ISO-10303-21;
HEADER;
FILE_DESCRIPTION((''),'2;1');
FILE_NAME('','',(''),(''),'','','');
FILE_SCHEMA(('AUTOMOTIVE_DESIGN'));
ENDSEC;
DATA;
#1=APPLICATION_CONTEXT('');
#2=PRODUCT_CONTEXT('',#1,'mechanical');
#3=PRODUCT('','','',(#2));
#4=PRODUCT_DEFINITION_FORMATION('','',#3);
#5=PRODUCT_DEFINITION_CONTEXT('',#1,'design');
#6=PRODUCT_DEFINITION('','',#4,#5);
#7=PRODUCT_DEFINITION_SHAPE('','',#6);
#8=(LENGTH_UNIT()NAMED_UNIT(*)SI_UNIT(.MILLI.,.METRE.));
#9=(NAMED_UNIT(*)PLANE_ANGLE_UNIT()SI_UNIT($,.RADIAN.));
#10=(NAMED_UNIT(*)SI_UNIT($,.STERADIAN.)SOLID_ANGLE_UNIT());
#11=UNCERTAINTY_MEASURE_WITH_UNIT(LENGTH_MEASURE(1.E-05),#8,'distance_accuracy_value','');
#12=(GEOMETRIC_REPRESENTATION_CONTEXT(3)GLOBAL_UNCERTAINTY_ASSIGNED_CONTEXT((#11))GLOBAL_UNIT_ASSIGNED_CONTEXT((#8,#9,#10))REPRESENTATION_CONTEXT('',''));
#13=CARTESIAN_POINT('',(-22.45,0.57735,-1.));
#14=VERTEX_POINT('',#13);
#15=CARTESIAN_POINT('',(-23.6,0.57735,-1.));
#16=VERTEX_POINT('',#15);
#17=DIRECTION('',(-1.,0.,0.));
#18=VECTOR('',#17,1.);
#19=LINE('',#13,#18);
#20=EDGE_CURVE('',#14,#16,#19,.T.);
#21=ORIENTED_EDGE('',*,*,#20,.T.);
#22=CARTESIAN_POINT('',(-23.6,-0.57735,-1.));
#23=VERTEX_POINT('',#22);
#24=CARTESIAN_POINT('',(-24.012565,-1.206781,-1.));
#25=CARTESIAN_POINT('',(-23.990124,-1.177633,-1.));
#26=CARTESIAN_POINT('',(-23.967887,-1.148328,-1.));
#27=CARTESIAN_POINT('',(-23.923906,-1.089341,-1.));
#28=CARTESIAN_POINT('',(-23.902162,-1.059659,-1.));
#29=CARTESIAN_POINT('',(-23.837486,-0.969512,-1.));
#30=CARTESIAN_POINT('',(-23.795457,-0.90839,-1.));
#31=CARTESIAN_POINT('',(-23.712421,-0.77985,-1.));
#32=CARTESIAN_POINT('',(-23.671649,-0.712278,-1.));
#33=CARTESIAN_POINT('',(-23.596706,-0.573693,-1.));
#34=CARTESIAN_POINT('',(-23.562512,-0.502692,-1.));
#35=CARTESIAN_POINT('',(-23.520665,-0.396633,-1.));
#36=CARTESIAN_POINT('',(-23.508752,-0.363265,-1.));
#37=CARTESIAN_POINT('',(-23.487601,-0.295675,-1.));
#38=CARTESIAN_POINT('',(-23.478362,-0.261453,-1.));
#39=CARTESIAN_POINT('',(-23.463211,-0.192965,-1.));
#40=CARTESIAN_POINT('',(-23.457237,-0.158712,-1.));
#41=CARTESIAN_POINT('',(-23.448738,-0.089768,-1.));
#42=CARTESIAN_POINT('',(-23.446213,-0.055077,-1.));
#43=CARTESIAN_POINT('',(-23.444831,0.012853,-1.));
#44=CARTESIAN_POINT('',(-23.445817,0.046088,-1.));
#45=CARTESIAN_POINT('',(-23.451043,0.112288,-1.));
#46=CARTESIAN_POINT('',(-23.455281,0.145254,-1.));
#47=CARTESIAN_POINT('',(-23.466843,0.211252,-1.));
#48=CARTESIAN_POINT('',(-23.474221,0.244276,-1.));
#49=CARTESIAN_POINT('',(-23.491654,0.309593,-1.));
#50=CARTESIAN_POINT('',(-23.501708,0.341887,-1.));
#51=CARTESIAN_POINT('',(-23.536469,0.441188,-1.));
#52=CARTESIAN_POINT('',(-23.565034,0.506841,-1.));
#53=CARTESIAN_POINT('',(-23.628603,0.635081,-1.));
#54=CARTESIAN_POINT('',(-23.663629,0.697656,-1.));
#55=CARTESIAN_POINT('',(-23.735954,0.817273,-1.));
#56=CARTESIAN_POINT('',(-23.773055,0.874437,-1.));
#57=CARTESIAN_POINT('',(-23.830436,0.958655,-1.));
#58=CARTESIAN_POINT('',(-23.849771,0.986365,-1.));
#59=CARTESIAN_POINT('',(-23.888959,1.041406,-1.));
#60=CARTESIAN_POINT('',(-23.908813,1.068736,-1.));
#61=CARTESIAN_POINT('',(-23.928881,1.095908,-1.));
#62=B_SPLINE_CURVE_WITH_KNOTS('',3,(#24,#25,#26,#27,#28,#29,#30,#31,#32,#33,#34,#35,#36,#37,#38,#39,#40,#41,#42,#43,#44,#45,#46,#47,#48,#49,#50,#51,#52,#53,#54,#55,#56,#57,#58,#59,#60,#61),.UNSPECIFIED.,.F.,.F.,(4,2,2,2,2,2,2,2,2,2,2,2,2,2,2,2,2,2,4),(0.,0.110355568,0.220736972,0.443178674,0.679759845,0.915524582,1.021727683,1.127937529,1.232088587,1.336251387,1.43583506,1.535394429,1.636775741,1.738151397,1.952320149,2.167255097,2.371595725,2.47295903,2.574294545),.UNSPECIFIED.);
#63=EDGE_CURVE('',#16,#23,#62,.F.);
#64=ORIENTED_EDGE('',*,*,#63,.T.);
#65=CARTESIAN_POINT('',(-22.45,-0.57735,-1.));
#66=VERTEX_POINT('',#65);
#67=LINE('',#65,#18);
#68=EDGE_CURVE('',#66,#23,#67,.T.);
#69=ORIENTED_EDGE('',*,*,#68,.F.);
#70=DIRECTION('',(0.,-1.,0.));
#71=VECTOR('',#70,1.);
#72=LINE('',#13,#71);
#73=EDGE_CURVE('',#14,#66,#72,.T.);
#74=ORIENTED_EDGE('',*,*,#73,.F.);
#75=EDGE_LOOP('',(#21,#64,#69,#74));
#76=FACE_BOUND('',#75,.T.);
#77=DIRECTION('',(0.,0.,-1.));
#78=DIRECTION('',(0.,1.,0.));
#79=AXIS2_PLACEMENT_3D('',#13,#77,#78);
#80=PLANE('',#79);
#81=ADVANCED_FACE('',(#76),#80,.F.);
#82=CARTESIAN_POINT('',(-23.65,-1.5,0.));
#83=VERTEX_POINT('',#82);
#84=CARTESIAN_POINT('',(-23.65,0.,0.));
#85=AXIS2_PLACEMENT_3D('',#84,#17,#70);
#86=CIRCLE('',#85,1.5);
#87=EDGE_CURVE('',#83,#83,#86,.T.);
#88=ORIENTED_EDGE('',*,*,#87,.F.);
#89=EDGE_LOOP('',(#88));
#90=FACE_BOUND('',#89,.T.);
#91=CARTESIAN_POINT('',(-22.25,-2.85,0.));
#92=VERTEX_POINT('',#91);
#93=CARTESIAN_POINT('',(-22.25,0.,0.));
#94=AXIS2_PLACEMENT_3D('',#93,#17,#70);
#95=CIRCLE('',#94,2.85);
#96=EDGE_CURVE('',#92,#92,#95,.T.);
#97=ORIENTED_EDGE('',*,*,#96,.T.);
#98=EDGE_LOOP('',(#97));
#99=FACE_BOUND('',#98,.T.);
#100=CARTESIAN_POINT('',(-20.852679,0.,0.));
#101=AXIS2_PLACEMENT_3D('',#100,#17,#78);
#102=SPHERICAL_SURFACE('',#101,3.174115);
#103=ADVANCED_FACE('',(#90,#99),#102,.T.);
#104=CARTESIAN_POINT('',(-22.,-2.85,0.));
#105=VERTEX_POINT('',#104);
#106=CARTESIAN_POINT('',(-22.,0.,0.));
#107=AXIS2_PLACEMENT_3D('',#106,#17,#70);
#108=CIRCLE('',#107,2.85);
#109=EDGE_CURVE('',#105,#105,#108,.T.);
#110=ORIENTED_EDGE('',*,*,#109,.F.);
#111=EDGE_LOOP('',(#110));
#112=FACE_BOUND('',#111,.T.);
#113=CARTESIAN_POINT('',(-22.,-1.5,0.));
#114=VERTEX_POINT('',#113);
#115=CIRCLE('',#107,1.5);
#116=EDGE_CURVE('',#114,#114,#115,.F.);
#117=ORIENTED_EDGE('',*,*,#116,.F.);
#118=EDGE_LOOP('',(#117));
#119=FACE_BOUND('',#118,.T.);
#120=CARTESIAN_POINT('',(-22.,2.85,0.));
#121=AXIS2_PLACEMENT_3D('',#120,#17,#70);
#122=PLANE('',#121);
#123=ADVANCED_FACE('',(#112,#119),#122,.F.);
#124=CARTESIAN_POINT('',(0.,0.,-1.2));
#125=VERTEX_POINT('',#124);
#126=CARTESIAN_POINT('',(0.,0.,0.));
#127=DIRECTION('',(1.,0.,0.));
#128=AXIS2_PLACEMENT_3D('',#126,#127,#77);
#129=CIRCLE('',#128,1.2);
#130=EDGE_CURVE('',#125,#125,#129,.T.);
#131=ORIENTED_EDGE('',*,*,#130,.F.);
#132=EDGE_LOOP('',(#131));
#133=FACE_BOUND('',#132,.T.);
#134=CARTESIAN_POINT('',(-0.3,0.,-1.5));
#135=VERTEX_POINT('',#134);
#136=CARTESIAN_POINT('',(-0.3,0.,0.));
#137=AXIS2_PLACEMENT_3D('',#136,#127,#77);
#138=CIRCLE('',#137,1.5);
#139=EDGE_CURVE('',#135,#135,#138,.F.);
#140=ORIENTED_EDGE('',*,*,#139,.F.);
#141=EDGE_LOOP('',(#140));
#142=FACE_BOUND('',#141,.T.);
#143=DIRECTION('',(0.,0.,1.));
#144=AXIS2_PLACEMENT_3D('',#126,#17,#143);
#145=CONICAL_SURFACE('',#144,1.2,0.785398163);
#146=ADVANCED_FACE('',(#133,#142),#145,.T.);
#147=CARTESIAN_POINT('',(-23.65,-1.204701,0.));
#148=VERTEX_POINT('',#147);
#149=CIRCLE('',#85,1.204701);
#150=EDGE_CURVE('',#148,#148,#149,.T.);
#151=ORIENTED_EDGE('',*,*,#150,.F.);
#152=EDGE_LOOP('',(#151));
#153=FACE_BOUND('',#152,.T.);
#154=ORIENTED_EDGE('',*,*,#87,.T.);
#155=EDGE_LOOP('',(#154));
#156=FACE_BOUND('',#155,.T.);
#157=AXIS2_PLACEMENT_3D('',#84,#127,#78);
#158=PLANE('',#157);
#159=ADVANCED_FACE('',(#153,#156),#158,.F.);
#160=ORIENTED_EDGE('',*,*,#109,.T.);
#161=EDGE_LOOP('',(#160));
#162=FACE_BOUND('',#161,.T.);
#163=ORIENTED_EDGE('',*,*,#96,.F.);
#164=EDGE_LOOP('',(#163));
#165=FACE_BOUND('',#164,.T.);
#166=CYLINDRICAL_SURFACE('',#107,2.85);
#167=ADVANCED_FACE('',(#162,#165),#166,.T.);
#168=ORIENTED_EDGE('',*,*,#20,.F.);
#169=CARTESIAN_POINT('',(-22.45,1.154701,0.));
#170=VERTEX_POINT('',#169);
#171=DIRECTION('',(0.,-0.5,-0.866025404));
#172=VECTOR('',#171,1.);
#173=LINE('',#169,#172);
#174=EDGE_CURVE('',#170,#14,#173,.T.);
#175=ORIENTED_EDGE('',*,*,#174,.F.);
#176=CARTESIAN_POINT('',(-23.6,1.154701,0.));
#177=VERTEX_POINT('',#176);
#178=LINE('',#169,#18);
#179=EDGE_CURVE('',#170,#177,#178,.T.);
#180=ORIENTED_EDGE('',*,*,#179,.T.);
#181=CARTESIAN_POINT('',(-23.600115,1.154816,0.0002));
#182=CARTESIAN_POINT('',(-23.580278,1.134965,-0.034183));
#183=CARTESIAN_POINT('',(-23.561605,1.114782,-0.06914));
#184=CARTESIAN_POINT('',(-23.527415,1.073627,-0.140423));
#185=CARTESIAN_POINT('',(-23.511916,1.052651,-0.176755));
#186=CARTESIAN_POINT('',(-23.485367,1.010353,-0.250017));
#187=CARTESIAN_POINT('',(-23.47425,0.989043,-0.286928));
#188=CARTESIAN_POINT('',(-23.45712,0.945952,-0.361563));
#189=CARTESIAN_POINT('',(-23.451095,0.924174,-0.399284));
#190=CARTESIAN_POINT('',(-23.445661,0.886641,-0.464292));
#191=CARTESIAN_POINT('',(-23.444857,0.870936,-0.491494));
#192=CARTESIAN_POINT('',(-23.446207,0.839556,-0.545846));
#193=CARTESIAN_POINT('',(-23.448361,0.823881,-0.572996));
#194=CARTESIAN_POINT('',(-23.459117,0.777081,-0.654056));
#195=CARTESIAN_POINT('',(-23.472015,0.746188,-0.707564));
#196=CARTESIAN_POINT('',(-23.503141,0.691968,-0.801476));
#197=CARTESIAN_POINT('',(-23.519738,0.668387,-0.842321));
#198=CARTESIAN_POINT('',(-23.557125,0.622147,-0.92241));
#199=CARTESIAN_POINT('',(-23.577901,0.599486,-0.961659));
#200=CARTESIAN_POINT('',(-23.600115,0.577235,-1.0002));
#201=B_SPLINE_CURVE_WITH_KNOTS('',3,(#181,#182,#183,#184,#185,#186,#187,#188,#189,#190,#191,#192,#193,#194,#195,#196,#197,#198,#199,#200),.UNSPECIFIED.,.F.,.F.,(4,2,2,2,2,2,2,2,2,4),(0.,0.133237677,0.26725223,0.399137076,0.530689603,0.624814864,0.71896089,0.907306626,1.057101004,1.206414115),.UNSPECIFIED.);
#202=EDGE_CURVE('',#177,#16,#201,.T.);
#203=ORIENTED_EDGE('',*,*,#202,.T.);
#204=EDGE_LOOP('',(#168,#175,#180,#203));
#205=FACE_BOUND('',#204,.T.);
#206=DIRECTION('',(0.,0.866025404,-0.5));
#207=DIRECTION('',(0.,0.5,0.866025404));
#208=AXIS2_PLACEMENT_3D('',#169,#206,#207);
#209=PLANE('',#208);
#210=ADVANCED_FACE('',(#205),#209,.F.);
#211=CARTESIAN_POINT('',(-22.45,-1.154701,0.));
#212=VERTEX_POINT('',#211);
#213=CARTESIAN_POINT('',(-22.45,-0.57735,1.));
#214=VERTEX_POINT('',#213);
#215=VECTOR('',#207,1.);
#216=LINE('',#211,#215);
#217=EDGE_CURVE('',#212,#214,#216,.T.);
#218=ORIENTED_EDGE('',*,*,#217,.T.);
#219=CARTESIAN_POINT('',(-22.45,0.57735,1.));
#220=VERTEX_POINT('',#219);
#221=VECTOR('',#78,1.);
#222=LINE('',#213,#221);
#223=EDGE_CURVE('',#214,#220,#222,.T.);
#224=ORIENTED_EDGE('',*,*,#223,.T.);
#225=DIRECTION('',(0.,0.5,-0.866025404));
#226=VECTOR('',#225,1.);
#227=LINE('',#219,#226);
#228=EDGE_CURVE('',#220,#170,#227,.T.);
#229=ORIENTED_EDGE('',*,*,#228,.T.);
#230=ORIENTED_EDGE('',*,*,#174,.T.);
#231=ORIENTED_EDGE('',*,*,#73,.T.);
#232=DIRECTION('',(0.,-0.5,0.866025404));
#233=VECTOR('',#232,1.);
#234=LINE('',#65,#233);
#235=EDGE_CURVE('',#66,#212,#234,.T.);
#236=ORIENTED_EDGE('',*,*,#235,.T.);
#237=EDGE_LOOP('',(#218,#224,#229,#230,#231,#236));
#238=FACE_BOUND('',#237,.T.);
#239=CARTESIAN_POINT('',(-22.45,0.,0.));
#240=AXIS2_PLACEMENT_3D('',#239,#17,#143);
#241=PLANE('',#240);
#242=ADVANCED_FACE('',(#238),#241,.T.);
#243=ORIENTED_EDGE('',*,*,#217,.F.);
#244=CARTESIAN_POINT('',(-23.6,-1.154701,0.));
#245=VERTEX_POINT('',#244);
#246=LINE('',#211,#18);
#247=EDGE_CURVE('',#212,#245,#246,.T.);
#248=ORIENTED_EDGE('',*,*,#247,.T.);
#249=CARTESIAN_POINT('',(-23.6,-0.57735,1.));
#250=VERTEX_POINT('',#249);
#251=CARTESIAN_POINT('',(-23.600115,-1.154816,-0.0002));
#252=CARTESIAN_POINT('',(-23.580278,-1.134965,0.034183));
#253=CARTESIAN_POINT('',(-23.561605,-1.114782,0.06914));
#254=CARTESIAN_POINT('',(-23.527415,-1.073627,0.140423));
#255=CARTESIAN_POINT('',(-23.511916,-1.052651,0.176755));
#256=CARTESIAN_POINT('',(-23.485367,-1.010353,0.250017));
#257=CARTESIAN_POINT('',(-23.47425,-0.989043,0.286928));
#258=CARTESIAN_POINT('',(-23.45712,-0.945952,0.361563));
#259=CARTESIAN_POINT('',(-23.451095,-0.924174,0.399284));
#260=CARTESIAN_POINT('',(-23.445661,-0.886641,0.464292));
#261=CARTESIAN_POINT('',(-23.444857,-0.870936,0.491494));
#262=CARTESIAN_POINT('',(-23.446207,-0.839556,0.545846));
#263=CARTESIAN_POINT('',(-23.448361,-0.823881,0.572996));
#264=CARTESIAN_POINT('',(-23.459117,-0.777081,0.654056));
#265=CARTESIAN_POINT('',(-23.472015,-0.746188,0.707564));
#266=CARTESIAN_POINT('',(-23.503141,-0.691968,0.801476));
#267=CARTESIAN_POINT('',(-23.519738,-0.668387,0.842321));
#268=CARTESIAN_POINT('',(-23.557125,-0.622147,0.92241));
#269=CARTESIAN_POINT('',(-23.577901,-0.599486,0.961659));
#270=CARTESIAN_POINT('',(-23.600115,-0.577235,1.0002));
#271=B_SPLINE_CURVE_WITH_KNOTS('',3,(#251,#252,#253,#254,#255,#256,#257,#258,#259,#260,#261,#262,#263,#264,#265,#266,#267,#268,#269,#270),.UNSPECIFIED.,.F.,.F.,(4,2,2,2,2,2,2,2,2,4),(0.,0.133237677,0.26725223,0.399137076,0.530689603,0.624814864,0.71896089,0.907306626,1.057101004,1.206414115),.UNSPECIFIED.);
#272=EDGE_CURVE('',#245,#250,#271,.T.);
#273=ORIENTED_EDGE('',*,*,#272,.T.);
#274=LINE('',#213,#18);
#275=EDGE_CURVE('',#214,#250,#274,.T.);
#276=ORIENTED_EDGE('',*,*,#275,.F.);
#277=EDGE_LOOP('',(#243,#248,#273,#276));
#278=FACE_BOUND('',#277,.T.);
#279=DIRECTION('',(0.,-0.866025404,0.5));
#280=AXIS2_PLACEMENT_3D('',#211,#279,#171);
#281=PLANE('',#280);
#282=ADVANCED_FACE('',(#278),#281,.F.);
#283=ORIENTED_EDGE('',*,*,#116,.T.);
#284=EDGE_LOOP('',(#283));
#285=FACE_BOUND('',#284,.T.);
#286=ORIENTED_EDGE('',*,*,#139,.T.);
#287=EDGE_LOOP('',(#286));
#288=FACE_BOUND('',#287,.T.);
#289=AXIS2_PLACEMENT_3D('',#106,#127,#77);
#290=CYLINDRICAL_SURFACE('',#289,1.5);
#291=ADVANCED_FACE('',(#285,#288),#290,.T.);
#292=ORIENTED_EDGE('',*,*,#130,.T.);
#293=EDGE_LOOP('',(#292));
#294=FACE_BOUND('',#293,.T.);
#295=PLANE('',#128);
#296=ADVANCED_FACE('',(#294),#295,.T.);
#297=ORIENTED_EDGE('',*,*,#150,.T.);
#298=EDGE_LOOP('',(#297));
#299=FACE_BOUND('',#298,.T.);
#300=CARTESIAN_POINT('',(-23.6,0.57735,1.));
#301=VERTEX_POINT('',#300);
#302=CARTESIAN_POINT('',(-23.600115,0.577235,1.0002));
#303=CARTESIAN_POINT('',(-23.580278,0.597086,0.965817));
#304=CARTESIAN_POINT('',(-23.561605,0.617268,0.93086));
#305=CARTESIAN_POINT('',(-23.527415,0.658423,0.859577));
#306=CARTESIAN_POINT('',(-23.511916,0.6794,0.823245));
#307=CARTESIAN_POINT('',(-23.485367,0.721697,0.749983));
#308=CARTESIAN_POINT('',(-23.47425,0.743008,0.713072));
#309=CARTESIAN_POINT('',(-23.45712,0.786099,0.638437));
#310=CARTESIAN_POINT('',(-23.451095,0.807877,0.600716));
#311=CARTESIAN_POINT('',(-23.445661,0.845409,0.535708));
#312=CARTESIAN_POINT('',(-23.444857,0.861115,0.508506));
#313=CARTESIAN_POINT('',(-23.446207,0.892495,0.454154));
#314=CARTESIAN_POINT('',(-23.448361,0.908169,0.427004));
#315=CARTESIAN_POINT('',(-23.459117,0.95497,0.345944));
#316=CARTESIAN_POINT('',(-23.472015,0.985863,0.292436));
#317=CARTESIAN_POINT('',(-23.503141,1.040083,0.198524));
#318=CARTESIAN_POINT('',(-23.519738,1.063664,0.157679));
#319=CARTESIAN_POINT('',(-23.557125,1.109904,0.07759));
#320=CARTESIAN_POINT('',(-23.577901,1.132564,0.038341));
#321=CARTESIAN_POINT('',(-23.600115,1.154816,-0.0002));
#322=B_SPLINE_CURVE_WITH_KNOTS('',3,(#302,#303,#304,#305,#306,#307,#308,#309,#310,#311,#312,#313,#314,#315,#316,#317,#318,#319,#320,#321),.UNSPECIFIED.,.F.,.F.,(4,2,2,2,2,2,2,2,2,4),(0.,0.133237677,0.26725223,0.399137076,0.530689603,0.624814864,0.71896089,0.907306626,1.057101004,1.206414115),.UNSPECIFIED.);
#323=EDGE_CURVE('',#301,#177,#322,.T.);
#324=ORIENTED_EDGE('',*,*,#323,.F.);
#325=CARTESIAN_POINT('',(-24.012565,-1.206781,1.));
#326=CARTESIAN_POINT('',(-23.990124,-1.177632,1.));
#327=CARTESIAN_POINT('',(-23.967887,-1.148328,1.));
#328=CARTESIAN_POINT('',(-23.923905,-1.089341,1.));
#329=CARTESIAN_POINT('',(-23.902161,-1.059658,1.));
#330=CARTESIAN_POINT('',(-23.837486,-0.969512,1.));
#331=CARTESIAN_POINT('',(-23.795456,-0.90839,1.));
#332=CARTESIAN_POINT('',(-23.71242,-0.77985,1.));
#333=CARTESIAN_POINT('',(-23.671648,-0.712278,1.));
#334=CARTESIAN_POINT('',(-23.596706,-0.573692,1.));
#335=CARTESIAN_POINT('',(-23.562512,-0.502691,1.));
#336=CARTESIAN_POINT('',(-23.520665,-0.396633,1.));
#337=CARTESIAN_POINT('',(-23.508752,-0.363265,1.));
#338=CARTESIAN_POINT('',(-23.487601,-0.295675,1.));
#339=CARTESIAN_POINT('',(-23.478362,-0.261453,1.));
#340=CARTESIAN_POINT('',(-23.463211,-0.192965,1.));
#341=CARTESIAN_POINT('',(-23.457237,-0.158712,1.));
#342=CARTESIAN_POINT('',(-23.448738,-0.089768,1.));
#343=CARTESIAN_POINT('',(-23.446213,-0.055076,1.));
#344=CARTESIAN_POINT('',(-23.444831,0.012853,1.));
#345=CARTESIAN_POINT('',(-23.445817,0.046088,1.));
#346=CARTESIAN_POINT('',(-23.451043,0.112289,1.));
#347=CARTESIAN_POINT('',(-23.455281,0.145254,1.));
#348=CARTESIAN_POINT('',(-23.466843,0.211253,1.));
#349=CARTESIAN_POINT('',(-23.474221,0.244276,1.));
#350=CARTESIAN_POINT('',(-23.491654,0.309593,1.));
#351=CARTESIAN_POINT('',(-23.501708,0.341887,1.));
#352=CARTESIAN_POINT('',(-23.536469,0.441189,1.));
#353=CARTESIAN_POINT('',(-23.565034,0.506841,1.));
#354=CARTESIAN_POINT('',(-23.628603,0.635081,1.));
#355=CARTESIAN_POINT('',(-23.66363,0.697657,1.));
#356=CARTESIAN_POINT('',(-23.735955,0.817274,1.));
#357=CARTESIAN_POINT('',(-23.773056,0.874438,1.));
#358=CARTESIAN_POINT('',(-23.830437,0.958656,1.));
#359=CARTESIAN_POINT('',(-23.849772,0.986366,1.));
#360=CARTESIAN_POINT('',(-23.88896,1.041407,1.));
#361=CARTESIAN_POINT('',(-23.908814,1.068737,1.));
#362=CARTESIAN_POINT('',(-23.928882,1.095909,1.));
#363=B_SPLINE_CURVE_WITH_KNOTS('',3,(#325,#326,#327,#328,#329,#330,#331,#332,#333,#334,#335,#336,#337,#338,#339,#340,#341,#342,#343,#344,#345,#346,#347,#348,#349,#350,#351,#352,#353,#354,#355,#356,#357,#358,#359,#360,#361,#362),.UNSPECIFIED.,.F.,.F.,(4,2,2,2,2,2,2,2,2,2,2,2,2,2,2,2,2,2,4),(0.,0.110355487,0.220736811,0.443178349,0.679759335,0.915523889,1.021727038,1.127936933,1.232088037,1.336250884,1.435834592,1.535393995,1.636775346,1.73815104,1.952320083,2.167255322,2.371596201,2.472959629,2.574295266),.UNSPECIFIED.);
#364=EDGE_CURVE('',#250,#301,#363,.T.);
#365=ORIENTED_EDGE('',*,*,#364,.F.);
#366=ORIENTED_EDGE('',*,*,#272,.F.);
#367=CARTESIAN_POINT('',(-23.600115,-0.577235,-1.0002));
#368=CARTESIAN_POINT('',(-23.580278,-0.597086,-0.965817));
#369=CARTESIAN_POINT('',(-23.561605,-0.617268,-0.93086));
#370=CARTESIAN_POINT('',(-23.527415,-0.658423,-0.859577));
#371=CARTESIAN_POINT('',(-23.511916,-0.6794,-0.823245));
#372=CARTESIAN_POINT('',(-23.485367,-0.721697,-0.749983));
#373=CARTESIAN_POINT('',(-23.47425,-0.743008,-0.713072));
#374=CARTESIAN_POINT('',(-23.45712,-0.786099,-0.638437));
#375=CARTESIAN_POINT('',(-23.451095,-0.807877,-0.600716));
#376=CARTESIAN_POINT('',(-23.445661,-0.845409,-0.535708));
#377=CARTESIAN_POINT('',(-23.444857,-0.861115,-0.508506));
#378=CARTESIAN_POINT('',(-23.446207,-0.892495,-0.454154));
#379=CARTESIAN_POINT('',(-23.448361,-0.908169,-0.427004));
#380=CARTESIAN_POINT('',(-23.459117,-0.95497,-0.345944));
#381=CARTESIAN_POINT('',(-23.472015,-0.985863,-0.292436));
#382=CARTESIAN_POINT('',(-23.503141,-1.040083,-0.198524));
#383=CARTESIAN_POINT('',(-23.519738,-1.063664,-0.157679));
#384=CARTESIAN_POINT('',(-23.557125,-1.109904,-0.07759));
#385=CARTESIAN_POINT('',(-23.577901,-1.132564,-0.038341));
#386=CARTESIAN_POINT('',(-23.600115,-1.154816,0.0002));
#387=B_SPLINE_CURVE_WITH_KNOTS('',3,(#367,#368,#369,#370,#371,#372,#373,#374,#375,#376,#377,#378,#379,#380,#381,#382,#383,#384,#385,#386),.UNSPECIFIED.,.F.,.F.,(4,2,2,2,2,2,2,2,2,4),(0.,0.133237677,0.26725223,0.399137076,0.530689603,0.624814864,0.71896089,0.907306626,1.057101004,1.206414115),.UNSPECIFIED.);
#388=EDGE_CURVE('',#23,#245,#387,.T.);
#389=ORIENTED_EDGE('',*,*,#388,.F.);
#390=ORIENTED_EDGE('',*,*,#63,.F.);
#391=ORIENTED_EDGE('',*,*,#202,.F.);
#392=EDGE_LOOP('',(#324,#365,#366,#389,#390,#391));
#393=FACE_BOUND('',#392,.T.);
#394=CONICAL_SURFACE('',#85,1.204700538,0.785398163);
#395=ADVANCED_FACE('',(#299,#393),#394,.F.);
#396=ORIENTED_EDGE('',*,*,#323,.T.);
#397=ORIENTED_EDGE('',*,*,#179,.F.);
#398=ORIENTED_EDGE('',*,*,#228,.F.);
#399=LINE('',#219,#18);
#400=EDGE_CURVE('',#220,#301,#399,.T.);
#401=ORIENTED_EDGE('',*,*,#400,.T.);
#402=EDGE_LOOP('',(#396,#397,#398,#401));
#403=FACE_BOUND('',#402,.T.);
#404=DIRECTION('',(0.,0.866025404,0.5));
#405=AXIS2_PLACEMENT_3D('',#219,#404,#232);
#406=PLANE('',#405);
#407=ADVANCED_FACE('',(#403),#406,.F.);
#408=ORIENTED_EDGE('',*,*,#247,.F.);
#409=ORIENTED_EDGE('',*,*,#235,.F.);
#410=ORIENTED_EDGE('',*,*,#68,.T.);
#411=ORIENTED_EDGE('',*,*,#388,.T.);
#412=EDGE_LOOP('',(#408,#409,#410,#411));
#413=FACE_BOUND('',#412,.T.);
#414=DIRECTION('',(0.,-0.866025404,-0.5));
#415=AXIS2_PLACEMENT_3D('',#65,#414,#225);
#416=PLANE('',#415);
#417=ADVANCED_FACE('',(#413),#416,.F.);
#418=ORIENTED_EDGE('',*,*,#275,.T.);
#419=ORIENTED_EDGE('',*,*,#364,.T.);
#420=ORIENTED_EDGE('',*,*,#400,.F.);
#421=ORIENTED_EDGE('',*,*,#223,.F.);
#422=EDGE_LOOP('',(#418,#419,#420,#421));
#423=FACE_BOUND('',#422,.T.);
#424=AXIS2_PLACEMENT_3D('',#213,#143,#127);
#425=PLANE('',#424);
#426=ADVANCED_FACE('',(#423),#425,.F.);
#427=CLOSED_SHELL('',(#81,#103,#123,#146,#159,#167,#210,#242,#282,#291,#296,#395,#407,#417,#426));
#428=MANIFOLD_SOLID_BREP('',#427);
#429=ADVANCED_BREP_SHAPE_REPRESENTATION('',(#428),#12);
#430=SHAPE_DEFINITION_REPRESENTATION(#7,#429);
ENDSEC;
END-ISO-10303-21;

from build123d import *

# Parameters (mm, degrees)
SKETCH2_R           = 1.5
BOSS_EXTRUDE1_DEPTH = 22
CHAMFER1_SIZE       = 0.3
CUT_EXTRUDE1_DEPTH  = 1.2
SKETCH8_R           = 1.204700538
CUT_EXTRUDE2_DEPTH  = 1
CUT_EXTRUDE2_TAPER  = 45


with BuildPart() as part:
    # Sketch2 → Boss-Extrude1 (new body)
    with BuildSketch(Plane(origin=(0, 0, 0), x_dir=(0, 0, -1), z_dir=(1, 0, 0))):
        Circle(SKETCH2_R)
    extrude(amount=-BOSS_EXTRUDE1_DEPTH)

    # Chamfer1
    chamfer1_edges = [part.edges().sort_by_distance(p)[0] for p in [
        (0, 0, 1.5),
    ]]
    chamfer(chamfer1_edges, length=CHAMFER1_SIZE)

    # Sketch6 → Revolve1 (revolve)
    with BuildSketch(Plane.XY):
        with BuildLine():
            Line((-23.65, 0), (-23.65, 1.5))
            ThreePointArc((-23.65, 1.5), (-23.055944823, 2.284868705), (-22.25, 2.85))
            Line((-22.25, 2.85), (-22, 2.85))
            Line((-22, 2.85), (-22, 0))
            Line((-22, 0), (-23.65, 0))
        make_face()
    revolve(axis=Axis((-22, 0, 0), (1, 0, 0)))

    # Sketch7 → Cut-Extrude1 (cut)
    with BuildSketch(Plane.ZY.offset(23.65)):
        Polygon((0, 1.154700538), (-1, 0.577350269), (-1, -0.577350269), (0, -1.154700538), (1, -0.577350269), (1, 0.577350269), align=None)
    extrude(amount=-CUT_EXTRUDE1_DEPTH, mode=Mode.SUBTRACT)

    # Sketch8 → Cut-Extrude2 (cut)
    with BuildSketch(Plane.ZY.offset(23.65)):
        Circle(SKETCH8_R)
    extrude(amount=-CUT_EXTRUDE2_DEPTH, taper=CUT_EXTRUDE2_TAPER, mode=Mode.SUBTRACT)


solid = part.part
